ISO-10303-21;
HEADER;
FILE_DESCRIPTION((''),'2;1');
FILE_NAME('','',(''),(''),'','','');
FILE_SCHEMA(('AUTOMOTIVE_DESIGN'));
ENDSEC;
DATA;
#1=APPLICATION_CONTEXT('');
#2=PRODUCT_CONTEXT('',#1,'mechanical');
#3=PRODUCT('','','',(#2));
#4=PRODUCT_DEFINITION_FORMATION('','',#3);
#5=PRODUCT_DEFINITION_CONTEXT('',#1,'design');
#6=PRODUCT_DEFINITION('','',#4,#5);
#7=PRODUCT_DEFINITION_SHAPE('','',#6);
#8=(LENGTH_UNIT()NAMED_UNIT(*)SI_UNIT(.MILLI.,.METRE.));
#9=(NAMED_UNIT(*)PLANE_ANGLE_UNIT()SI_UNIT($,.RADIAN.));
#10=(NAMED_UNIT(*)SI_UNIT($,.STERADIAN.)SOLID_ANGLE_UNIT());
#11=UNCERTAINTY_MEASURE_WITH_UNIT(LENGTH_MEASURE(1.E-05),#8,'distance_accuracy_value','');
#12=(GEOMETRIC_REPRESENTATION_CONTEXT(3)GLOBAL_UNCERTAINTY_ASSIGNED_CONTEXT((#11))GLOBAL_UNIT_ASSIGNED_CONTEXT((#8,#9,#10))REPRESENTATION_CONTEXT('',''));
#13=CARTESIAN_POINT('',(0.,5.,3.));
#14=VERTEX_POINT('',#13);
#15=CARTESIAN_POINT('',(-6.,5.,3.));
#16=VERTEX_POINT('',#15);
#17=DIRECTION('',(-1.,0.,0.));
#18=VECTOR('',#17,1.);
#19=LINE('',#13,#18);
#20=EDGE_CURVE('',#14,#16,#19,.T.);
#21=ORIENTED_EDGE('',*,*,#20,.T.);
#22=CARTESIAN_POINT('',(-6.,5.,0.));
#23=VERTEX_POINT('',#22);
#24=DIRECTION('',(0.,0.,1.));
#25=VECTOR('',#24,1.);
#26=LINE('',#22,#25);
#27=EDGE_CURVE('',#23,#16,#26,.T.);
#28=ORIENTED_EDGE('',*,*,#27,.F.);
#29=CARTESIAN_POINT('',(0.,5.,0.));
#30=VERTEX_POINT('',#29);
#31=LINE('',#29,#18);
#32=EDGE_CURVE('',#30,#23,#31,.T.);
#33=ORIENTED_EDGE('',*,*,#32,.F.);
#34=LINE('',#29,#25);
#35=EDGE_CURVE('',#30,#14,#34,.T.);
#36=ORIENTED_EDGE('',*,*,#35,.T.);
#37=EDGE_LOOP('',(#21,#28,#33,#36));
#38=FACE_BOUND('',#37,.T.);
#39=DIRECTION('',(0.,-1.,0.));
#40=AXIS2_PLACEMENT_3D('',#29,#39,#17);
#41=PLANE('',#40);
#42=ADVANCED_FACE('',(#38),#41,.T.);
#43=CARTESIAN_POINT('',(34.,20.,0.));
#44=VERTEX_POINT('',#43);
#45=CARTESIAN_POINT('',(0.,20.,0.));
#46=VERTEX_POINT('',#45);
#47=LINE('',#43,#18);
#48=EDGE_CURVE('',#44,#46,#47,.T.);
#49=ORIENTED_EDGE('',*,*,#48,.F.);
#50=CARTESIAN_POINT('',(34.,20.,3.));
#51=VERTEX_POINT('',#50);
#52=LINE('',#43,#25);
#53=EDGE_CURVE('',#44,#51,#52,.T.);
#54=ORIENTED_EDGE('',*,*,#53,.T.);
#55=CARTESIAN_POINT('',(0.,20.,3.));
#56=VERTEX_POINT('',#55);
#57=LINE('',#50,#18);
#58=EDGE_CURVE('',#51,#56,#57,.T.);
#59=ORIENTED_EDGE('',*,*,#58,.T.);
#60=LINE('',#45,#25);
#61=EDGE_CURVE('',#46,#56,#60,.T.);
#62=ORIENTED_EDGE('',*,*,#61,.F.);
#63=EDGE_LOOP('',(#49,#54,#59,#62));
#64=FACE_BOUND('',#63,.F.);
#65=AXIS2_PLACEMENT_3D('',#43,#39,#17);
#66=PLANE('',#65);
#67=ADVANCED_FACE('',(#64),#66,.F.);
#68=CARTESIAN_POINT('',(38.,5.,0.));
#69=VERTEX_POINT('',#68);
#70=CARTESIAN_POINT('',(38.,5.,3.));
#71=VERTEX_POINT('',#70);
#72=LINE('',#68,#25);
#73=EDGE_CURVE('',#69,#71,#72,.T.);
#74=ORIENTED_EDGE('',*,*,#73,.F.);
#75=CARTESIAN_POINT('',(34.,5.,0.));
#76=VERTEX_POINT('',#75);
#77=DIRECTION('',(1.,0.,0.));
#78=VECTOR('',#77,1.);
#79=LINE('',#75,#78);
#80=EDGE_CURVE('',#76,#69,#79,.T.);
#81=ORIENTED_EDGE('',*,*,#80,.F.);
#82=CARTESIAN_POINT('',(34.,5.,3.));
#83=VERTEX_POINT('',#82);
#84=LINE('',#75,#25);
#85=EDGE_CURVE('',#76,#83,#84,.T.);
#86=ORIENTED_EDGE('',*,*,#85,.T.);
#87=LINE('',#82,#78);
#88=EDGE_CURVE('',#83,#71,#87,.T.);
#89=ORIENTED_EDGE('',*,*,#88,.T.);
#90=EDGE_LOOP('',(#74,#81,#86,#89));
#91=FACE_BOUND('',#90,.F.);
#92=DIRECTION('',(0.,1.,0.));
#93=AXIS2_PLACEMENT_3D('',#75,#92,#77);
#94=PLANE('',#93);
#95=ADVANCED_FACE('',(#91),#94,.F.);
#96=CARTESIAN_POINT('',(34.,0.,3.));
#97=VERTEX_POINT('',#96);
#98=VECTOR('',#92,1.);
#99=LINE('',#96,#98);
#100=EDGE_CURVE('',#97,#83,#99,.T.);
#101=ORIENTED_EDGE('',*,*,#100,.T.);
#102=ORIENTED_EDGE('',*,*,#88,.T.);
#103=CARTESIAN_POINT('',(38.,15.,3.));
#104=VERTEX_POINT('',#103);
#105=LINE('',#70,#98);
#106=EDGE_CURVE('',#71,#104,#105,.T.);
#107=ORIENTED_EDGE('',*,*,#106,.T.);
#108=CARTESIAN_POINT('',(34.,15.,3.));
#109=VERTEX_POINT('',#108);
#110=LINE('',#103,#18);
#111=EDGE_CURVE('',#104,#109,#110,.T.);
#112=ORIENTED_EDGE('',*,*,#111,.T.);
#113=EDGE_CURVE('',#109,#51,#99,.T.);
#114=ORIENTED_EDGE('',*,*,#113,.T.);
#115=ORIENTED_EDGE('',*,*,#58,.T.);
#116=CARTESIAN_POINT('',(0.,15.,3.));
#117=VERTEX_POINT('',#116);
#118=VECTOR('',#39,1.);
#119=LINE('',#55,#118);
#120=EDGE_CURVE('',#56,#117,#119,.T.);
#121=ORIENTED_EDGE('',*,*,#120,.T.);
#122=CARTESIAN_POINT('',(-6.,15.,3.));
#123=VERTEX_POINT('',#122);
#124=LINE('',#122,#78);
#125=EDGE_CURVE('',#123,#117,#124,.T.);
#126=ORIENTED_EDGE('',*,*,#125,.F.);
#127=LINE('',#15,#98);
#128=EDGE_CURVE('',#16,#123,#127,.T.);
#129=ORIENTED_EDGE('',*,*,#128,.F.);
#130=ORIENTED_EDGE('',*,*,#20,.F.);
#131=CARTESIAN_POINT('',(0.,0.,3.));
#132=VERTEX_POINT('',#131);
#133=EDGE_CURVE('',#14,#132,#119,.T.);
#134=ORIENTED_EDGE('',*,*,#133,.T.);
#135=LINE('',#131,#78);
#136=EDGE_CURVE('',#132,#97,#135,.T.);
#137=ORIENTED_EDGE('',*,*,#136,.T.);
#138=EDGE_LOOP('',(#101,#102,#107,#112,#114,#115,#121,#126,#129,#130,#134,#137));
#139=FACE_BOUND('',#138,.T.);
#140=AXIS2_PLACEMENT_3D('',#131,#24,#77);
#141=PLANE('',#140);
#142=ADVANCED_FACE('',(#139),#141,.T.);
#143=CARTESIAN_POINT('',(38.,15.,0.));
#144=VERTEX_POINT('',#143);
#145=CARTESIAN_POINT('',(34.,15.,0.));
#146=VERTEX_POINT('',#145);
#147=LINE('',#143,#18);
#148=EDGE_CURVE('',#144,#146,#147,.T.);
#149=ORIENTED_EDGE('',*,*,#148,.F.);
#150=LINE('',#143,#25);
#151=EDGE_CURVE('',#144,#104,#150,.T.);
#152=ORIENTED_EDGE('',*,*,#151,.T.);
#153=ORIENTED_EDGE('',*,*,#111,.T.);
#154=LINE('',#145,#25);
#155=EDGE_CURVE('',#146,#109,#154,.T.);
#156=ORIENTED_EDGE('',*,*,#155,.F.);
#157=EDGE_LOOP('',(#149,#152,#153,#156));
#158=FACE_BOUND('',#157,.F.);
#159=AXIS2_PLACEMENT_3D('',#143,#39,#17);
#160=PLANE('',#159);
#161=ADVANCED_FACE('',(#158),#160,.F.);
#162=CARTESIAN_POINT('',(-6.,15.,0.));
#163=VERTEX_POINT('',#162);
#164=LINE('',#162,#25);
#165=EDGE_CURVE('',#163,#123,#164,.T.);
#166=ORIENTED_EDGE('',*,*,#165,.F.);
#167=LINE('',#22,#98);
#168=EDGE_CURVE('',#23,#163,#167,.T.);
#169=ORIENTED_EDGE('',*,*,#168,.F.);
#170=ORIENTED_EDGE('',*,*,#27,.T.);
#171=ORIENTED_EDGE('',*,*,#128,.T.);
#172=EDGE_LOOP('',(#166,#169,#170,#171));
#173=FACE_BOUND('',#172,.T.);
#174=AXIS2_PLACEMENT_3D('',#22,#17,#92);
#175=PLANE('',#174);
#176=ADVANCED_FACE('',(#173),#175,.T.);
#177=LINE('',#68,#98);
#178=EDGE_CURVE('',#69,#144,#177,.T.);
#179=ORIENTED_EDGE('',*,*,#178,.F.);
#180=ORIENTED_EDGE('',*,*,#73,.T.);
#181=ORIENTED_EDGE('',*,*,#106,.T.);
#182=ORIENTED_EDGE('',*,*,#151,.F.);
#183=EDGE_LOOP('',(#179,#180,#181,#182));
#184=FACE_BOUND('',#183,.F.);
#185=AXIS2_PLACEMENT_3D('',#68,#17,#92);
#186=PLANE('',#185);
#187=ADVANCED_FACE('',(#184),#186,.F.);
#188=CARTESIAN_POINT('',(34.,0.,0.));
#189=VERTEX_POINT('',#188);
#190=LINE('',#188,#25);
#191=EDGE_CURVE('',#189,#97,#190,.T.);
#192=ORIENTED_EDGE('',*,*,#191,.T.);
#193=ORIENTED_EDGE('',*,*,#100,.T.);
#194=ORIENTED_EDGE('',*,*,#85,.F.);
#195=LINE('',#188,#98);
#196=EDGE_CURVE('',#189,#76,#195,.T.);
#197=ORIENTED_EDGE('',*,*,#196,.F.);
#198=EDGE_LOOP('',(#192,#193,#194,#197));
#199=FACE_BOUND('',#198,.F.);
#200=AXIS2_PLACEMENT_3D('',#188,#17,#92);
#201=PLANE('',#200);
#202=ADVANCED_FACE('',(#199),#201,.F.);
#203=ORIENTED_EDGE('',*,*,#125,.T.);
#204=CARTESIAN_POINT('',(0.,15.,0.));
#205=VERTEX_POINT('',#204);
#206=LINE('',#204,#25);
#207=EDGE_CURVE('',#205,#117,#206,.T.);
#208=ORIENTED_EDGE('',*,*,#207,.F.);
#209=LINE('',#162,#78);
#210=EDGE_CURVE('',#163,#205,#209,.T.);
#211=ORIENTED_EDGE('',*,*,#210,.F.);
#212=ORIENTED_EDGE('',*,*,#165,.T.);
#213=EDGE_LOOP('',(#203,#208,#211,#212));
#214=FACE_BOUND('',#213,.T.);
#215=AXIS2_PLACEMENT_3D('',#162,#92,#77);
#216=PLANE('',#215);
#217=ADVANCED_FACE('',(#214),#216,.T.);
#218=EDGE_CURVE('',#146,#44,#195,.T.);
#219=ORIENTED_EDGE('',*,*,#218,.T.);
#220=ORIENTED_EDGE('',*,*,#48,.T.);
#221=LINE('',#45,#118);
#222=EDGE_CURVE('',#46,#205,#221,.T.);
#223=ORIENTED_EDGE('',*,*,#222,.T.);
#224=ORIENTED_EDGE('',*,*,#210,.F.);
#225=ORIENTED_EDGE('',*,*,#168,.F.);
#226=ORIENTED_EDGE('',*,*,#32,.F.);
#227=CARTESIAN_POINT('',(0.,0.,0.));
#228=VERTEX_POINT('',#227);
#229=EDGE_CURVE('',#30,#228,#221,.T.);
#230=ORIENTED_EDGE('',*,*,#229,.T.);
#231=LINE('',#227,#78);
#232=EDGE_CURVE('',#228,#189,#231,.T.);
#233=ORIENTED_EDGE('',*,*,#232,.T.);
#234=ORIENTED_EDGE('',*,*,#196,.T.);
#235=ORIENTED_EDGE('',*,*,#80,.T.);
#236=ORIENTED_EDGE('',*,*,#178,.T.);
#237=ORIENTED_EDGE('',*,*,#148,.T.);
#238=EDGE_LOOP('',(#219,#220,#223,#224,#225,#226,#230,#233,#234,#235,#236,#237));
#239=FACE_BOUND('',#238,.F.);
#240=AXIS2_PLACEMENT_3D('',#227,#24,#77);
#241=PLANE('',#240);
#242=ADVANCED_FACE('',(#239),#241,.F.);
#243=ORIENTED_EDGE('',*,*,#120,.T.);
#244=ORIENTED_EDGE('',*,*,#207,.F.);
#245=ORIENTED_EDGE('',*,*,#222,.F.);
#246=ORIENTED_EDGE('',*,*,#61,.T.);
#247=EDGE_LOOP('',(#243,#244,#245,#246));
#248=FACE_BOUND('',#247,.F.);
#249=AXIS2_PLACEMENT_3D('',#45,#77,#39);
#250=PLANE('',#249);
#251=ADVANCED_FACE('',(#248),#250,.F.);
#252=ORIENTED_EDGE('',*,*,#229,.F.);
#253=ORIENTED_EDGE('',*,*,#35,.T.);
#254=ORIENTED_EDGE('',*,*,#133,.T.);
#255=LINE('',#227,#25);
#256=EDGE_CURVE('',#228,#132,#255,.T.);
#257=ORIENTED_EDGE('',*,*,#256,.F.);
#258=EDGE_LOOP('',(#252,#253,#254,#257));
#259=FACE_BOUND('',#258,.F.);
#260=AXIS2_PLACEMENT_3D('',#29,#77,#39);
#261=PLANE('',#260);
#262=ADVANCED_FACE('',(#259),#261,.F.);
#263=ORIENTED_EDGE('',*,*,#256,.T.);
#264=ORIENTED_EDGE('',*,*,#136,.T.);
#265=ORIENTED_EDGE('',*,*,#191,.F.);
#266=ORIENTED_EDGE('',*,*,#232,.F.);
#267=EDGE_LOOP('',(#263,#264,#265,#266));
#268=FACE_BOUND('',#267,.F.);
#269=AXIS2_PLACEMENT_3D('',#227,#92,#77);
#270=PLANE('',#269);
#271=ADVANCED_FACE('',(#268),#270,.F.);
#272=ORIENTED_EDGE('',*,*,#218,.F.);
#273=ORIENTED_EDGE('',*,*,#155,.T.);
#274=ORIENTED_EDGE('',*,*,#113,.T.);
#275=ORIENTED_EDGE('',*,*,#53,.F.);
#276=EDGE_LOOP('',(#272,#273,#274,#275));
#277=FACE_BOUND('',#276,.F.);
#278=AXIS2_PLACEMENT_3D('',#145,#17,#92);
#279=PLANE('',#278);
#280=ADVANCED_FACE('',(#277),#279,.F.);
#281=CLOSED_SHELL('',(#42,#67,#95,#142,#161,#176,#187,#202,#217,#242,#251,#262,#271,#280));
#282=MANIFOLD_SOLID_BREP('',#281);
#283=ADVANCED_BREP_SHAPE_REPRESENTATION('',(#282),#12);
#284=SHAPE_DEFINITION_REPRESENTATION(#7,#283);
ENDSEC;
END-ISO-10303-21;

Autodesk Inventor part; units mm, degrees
ref_plane "YZ Plane" through (0, 0, 0) normal (1, 0, 0) x (0, 1, 0)
ref_plane "XZ Plane" through (0, 0, 0) normal (0, 1, 0) x (-1, 0, 0)
ref_plane "XY Plane" through (0, 0, 0) normal (0, 0, 1) x (1, 0, 0)
sketch "Sketch1" plane through (0, 0, 0) normal (0, 0, 1) x (1, 0, 0)
  line L0 (0, 0) -> (34, 0)
  line L1 (34, 0) -> (34, 20)
  line L2 (34, 20) -> (0, 20)
  line L3 (0, 20) -> (0, 0)
  line L4 (-6, 15) -> (0, 15)
  line L5 (0, 15) -> (0, 5)
  line L6 (0, 5) -> (-6, 5)
  line L7 (-6, 5) -> (-6, 15)
  line L8 (-6, 15) -> (0, 5) construction
  line L9 (0, 15) -> (-6, 5) construction
  line L10 (38, 15) -> (34, 15)
  line L11 (34, 15) -> (34, 5)
  line L12 (34, 5) -> (38, 5)
  line L13 (38, 5) -> (38, 15)
  line L14 (38, 15) -> (34, 5) construction
  line L15 (34, 15) -> (38, 5) construction
  point P0 (-3, 10)
  point P1 (36, 10)
  point P2 (0, 10)
  point P3 (0, 10)
  point P4 (34, 15)
  point P5 (0, 15)
  dimension "d0" = 34
  dimension "d1" = 20
  dimension "d2" = 4
  dimension "d3" = 6
  dimension "d4" = 10
  dimension "d5" = 10
extrude "Extrusion1" add sketch "Sketch1" along normal blind 3
properties part number "Frontrail"
